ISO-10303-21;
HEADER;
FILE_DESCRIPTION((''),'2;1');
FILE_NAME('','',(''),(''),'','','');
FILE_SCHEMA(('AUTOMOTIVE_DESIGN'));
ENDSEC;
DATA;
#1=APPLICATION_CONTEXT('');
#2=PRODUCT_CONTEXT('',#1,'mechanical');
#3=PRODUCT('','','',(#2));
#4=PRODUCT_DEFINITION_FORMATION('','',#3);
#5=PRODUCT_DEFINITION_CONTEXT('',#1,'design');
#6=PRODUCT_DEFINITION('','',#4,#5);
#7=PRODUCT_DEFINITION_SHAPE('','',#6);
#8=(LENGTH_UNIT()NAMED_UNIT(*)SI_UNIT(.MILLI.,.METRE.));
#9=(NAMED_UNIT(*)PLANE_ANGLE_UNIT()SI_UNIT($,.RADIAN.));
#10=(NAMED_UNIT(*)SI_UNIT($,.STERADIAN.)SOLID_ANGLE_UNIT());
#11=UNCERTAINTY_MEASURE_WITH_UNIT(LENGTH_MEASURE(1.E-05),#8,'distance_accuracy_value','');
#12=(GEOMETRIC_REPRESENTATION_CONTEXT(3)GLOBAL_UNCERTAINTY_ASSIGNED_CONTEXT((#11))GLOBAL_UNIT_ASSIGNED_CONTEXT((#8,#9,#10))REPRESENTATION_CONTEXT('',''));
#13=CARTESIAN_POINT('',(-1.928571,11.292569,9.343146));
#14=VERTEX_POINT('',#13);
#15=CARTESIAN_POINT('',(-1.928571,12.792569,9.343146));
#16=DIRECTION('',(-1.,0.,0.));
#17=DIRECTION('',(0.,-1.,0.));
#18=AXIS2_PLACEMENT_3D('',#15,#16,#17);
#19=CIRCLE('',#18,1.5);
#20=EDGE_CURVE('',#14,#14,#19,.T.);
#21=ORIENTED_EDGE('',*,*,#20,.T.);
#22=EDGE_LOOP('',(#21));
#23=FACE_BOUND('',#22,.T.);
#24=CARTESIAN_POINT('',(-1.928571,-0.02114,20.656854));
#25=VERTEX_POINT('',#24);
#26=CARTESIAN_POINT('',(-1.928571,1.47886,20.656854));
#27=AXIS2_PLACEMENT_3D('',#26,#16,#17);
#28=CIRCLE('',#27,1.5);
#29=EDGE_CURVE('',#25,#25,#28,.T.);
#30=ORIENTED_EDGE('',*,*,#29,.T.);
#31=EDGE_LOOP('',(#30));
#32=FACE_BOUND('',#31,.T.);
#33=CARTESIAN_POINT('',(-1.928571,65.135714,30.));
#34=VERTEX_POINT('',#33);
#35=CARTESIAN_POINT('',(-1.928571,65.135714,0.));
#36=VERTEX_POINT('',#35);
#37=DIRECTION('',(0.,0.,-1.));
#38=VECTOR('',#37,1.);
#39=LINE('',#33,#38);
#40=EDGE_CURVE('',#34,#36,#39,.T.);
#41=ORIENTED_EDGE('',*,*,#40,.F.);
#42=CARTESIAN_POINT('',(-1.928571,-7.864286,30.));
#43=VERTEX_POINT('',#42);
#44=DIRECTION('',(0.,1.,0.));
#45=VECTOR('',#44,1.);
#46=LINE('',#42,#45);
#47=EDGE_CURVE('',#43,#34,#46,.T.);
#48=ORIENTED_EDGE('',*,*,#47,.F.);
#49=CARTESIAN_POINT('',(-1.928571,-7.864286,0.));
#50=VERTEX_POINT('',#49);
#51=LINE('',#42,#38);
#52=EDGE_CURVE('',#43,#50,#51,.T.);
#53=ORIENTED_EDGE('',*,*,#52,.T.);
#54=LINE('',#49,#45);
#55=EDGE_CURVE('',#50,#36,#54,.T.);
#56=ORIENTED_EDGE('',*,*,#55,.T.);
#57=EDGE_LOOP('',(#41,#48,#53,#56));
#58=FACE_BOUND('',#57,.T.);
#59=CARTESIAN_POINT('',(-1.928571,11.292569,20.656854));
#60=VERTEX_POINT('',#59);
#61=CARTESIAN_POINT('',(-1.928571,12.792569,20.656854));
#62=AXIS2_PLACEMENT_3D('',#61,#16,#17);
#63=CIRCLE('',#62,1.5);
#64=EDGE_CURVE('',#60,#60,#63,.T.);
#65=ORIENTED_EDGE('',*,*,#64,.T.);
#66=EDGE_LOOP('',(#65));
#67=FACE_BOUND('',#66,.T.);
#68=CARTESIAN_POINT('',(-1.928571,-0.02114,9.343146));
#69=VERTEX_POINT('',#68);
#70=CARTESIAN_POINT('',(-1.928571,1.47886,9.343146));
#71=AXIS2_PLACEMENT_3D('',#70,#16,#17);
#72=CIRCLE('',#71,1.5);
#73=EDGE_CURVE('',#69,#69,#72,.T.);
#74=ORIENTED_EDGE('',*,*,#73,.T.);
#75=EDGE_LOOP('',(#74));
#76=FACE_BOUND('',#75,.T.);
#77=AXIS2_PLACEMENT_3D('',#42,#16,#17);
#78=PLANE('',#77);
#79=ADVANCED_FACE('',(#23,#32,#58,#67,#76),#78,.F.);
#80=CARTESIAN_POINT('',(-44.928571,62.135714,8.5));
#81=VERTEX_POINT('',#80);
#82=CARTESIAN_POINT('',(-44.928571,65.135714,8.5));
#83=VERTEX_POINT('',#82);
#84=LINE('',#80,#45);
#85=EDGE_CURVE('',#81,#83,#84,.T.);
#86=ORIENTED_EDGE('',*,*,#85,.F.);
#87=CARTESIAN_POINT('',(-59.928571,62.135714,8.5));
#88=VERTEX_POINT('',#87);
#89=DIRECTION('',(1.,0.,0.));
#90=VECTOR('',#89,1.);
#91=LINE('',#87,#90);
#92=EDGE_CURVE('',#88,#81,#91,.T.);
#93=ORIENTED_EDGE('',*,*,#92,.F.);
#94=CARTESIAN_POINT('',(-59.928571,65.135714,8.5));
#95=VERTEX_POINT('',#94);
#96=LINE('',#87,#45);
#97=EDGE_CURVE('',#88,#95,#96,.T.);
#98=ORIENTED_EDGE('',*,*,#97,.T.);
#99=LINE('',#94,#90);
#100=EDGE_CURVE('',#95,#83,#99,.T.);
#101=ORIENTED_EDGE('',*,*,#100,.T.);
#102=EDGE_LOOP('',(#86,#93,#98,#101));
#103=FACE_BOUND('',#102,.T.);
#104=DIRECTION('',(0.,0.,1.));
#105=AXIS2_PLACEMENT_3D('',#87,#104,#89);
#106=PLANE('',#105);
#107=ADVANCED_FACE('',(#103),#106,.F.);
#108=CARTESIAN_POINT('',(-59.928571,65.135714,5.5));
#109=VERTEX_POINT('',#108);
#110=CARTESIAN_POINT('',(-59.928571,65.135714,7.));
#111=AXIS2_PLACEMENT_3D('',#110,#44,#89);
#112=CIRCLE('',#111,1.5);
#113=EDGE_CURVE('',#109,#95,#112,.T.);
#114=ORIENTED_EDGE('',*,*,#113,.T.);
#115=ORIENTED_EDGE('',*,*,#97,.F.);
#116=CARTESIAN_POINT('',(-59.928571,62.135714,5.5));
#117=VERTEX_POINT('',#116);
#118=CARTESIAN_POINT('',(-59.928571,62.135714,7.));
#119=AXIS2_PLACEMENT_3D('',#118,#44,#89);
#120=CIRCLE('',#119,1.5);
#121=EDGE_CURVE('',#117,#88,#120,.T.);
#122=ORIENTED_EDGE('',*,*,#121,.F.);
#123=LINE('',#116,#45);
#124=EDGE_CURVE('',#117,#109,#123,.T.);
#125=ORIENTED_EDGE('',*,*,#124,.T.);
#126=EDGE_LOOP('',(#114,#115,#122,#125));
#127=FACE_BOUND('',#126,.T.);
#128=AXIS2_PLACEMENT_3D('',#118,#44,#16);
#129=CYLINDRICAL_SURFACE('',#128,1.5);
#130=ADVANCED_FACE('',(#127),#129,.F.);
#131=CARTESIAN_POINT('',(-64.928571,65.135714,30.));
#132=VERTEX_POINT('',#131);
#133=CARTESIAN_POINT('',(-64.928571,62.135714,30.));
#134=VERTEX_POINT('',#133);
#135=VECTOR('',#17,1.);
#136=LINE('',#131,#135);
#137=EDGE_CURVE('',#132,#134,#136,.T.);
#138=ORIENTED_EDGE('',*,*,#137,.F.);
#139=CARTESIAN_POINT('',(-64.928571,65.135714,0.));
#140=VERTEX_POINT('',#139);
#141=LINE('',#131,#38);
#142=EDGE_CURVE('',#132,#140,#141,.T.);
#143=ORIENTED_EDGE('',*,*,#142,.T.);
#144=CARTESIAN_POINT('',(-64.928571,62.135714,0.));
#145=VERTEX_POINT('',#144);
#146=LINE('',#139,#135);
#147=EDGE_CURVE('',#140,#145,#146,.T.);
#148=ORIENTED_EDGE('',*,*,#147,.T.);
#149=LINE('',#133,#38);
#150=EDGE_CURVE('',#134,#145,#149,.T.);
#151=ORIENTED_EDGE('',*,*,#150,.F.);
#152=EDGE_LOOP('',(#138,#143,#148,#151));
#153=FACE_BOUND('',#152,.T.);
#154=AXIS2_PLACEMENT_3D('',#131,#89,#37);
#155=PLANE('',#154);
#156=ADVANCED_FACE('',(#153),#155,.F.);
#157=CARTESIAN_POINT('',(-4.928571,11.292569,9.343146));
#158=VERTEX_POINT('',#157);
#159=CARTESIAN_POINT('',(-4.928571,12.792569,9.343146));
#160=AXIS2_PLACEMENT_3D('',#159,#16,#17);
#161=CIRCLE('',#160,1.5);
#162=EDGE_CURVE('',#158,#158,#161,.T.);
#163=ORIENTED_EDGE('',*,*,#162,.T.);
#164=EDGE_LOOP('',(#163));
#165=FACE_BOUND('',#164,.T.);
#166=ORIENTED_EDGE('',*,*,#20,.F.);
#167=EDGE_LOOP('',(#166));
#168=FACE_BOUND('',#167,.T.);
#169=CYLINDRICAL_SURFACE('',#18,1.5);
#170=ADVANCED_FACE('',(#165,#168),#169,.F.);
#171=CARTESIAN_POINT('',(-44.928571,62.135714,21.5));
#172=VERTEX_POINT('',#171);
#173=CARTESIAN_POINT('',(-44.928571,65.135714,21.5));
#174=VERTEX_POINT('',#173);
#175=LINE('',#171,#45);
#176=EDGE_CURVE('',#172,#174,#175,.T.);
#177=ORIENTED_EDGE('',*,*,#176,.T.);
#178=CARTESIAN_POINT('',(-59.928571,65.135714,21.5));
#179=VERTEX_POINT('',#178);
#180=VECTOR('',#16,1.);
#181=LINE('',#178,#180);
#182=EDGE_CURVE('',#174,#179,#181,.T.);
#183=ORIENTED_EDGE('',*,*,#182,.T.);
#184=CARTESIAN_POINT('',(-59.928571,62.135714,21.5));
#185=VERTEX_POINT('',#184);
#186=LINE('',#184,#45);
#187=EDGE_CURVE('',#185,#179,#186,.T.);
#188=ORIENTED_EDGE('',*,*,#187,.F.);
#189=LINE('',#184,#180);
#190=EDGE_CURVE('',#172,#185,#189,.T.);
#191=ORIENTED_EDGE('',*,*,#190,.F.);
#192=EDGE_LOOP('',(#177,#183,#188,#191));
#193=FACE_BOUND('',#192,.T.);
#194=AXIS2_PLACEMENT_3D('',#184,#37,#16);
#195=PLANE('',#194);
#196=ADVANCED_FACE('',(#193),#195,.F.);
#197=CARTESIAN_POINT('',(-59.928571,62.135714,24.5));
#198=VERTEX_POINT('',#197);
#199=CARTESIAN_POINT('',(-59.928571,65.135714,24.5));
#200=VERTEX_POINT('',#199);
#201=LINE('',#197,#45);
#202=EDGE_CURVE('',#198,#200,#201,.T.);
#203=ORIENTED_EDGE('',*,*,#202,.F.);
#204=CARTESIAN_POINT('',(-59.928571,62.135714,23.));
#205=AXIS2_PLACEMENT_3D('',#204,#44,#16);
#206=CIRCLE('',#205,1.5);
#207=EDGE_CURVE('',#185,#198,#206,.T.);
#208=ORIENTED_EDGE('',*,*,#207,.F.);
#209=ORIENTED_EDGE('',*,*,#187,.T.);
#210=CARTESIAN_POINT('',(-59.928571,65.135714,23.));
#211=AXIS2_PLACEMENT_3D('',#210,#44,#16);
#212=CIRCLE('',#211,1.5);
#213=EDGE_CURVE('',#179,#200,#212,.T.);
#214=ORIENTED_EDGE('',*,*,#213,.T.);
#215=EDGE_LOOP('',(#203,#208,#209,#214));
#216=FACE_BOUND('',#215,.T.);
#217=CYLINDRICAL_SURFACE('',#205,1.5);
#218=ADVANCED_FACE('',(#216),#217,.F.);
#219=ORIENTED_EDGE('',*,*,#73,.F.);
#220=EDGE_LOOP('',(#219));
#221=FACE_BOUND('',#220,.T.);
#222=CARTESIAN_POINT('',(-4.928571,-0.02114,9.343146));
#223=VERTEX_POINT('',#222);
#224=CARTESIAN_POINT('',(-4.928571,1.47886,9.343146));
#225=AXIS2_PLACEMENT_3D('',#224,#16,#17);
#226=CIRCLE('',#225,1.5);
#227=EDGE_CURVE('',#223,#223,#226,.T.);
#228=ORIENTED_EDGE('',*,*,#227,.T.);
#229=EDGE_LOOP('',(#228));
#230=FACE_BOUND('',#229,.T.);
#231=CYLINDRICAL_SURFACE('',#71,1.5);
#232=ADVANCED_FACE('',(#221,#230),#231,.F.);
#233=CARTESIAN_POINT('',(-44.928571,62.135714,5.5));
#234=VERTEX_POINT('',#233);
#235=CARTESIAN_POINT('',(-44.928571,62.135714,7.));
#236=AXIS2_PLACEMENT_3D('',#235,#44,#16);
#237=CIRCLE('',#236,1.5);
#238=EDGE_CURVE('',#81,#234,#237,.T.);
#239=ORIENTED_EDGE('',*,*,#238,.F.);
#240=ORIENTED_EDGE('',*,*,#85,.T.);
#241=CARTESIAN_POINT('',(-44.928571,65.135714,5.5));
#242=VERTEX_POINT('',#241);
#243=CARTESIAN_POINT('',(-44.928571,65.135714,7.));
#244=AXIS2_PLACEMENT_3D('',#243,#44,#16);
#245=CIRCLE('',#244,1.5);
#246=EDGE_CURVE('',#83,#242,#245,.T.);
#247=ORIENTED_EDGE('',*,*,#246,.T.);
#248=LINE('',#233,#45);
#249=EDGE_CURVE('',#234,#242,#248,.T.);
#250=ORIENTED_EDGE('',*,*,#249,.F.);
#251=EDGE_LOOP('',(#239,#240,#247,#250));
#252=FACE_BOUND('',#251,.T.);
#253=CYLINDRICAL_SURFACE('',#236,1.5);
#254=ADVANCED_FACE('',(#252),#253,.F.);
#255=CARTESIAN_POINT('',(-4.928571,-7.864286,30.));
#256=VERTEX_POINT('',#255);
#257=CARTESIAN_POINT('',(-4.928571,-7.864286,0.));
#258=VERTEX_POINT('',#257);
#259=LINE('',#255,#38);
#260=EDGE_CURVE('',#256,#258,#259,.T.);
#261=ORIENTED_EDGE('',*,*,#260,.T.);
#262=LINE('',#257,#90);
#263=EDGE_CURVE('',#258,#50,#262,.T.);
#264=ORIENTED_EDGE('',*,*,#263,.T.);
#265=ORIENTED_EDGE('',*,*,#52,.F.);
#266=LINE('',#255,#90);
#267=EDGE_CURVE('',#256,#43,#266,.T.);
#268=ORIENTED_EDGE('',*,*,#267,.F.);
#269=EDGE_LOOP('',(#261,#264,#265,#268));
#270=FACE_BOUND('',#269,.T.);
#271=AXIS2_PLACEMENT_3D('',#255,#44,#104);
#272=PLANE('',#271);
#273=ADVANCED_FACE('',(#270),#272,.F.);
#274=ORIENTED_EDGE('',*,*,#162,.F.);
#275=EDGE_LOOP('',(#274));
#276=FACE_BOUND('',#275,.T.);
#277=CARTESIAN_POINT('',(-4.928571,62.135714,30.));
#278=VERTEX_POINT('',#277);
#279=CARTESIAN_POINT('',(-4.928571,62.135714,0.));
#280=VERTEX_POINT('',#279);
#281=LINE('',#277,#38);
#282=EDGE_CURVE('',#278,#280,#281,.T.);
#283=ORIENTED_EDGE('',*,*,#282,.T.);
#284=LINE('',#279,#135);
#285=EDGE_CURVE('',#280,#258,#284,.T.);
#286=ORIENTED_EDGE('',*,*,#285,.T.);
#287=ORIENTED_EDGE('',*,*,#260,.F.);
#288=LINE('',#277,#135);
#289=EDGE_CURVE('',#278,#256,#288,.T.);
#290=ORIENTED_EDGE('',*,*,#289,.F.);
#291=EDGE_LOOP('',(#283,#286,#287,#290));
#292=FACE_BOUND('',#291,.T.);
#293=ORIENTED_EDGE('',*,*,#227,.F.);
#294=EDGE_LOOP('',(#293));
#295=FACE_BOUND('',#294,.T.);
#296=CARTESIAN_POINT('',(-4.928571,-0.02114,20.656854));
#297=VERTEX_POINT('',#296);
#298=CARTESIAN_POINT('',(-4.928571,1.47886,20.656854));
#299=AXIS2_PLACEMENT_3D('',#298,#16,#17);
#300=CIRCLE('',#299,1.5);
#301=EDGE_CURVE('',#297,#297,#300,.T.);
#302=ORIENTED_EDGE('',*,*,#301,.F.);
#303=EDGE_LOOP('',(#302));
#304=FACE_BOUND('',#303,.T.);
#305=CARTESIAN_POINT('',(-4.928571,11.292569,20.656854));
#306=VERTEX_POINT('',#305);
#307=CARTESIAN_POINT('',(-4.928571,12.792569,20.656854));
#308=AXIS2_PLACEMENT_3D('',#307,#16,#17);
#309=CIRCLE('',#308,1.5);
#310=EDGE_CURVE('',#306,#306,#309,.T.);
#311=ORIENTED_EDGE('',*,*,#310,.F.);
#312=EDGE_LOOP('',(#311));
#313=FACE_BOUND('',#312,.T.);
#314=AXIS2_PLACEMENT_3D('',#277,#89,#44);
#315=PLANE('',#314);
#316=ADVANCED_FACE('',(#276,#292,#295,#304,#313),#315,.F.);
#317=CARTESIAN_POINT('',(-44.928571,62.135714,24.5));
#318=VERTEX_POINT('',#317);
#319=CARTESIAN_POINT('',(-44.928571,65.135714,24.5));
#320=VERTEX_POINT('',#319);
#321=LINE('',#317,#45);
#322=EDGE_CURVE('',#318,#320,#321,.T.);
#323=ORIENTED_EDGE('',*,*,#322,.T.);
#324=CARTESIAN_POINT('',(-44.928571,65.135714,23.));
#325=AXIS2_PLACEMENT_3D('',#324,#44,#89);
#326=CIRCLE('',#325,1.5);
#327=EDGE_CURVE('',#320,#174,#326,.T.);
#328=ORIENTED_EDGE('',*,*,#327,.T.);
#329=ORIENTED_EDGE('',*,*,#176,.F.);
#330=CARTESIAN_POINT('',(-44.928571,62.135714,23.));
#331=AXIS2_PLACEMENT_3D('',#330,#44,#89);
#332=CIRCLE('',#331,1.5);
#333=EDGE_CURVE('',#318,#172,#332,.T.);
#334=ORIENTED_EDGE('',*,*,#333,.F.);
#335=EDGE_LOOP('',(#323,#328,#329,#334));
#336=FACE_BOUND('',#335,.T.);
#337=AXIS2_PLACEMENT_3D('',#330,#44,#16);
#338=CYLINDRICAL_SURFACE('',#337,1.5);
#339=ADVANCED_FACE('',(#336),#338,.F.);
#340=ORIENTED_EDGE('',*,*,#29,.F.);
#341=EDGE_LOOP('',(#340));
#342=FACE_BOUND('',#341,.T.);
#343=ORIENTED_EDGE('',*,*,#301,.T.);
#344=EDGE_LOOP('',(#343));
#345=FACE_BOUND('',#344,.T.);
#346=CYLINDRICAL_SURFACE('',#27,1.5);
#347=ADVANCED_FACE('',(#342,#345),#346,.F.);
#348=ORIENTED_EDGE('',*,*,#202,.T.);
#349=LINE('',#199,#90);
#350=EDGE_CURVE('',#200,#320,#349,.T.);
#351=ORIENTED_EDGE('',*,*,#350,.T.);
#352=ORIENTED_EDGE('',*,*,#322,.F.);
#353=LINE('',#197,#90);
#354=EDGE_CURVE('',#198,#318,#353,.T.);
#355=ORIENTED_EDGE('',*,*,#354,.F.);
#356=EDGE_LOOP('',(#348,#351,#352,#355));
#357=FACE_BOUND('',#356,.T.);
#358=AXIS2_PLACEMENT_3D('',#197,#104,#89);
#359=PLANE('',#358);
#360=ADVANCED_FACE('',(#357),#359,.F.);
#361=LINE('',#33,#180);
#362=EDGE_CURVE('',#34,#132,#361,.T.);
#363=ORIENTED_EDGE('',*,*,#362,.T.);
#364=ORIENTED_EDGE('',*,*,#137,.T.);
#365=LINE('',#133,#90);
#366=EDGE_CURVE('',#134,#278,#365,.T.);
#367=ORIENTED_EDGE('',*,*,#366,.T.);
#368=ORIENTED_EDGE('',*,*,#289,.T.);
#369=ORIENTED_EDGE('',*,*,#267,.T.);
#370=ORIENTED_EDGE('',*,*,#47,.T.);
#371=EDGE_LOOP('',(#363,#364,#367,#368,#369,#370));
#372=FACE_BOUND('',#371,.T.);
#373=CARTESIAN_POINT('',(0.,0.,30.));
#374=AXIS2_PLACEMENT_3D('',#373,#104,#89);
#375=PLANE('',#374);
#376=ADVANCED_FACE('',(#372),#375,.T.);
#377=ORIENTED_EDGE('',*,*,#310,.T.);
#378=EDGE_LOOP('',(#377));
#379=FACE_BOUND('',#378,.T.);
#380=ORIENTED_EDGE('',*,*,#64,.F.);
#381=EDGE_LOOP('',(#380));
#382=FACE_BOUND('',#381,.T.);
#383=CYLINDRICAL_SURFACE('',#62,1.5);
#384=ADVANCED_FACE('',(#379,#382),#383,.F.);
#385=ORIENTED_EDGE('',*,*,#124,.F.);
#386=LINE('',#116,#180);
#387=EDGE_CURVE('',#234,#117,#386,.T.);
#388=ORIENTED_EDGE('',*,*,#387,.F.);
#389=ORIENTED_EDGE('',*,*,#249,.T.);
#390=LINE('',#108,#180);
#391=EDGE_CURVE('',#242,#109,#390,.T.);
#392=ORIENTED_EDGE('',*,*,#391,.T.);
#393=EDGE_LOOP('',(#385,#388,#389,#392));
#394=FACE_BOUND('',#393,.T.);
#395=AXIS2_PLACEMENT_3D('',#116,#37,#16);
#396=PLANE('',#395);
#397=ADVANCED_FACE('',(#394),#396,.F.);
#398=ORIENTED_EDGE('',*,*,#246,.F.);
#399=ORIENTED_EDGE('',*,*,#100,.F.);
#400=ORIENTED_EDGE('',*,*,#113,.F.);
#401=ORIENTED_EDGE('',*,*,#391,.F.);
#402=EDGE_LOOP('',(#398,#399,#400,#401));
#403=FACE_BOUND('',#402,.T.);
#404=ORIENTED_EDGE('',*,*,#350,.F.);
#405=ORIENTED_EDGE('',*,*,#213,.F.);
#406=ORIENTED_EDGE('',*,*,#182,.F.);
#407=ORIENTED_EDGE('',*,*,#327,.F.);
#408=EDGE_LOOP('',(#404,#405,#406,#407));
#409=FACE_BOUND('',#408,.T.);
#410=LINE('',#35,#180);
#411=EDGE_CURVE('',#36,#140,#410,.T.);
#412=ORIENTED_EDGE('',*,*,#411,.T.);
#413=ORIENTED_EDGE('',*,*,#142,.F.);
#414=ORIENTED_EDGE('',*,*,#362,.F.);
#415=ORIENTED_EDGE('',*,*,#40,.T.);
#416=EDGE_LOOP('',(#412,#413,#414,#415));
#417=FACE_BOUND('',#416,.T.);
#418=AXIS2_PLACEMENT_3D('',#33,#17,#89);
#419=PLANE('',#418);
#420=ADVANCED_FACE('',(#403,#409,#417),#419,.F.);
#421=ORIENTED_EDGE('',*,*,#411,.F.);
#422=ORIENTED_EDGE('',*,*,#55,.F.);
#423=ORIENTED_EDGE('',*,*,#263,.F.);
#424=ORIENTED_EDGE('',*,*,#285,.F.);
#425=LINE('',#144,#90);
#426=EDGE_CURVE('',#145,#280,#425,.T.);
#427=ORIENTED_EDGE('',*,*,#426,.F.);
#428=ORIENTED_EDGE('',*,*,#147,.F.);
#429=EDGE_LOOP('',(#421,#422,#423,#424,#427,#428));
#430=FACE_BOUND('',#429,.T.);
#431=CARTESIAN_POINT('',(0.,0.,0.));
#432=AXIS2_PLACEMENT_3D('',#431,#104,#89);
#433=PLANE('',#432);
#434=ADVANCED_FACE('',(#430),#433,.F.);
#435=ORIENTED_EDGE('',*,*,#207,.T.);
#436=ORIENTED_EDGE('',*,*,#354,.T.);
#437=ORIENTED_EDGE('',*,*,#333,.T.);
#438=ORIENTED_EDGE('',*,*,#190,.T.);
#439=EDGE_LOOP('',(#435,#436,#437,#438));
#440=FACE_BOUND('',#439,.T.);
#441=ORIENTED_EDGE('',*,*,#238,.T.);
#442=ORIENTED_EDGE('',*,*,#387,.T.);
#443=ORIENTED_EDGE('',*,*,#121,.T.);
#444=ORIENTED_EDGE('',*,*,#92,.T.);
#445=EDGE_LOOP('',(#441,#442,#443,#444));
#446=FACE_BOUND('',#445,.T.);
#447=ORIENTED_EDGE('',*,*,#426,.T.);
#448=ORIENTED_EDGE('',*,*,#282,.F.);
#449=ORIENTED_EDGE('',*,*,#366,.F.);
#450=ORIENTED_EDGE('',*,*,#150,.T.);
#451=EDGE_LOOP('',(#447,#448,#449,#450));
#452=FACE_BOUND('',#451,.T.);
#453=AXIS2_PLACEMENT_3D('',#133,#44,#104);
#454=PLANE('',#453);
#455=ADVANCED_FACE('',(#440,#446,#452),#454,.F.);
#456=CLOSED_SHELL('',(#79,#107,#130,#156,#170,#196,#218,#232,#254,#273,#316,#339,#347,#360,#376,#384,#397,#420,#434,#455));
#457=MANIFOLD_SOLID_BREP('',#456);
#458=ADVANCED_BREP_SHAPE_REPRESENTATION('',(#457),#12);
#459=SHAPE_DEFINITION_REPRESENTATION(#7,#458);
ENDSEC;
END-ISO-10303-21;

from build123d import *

# Parameters (mm, degrees)
SALIENTE_EXTRUIR1_DEPTH = 30
CORTAR_EXTRUIR1_DEPTH   = 3
CROQUIS3_R              = 1.5
CORTAR_EXTRUIR2_DEPTH   = 3


with BuildPart() as part:
    # Croquis1 → Saliente-Extruir1 (new body)
    with BuildSketch(Plane.XY):
        Polygon((-64.928571429, 65.135714286), (-64.928571429, 62.135714286), (-4.928571429, 62.135714286), (-4.928571429, -7.864285714), (-1.928571429, -7.864285714), (-1.928571429, 65.135714286), align=None)
    extrude(amount=SALIENTE_EXTRUIR1_DEPTH)

    # Croquis2 → Cortar-Extruir1 (cut)
    with BuildSketch(Plane(origin=(0, 65.135714286, 0), x_dir=(1, 0, 0), z_dir=(0, 1, 0))):
        with BuildLine():
            Line((-59.928571429, -24.5), (-44.928571429, -24.5))
            ThreePointArc((-44.928571429, -24.5), (-43.428571429, -23), (-44.928571429, -21.5))
            Line((-44.928571429, -21.5), (-59.928571429, -21.5))
            ThreePointArc((-59.928571429, -21.5), (-61.428571429, -23), (-59.928571429, -24.5))
        make_face()
        with BuildLine():
            Line((-59.928571429, -8.5), (-44.928571429, -8.5))
            ThreePointArc((-44.928571429, -8.5), (-43.428571429, -7), (-44.928571429, -5.5))
            Line((-44.928571429, -5.5), (-59.928571429, -5.5))
            ThreePointArc((-59.928571429, -5.5), (-61.428571429, -7), (-59.928571429, -8.5))
        make_face()
    extrude(amount=-CORTAR_EXTRUIR1_DEPTH, mode=Mode.SUBTRACT)

    # Croquis3 → Cortar-Extruir2 (cut)
    with BuildSketch(Plane.ZY.offset(4.928571429)):
        with Locations(Location((20.656854249, 1.478860036, 0), (0, 0, 270))):
            Circle(CROQUIS3_R)
        with Locations(Location((9.343145751, 1.478860036, 0), (0, 0, 270))):
            Circle(CROQUIS3_R)
        with Locations(Location((9.343145751, 12.792568535, 0), (0, 0, 270))):
            Circle(CROQUIS3_R)
        with Locations(Location((20.656854249, 12.792568535, 0), (0, 0, 270))):
            Circle(CROQUIS3_R)
    extrude(amount=-CORTAR_EXTRUIR2_DEPTH, mode=Mode.SUBTRACT)


solid = part.part
